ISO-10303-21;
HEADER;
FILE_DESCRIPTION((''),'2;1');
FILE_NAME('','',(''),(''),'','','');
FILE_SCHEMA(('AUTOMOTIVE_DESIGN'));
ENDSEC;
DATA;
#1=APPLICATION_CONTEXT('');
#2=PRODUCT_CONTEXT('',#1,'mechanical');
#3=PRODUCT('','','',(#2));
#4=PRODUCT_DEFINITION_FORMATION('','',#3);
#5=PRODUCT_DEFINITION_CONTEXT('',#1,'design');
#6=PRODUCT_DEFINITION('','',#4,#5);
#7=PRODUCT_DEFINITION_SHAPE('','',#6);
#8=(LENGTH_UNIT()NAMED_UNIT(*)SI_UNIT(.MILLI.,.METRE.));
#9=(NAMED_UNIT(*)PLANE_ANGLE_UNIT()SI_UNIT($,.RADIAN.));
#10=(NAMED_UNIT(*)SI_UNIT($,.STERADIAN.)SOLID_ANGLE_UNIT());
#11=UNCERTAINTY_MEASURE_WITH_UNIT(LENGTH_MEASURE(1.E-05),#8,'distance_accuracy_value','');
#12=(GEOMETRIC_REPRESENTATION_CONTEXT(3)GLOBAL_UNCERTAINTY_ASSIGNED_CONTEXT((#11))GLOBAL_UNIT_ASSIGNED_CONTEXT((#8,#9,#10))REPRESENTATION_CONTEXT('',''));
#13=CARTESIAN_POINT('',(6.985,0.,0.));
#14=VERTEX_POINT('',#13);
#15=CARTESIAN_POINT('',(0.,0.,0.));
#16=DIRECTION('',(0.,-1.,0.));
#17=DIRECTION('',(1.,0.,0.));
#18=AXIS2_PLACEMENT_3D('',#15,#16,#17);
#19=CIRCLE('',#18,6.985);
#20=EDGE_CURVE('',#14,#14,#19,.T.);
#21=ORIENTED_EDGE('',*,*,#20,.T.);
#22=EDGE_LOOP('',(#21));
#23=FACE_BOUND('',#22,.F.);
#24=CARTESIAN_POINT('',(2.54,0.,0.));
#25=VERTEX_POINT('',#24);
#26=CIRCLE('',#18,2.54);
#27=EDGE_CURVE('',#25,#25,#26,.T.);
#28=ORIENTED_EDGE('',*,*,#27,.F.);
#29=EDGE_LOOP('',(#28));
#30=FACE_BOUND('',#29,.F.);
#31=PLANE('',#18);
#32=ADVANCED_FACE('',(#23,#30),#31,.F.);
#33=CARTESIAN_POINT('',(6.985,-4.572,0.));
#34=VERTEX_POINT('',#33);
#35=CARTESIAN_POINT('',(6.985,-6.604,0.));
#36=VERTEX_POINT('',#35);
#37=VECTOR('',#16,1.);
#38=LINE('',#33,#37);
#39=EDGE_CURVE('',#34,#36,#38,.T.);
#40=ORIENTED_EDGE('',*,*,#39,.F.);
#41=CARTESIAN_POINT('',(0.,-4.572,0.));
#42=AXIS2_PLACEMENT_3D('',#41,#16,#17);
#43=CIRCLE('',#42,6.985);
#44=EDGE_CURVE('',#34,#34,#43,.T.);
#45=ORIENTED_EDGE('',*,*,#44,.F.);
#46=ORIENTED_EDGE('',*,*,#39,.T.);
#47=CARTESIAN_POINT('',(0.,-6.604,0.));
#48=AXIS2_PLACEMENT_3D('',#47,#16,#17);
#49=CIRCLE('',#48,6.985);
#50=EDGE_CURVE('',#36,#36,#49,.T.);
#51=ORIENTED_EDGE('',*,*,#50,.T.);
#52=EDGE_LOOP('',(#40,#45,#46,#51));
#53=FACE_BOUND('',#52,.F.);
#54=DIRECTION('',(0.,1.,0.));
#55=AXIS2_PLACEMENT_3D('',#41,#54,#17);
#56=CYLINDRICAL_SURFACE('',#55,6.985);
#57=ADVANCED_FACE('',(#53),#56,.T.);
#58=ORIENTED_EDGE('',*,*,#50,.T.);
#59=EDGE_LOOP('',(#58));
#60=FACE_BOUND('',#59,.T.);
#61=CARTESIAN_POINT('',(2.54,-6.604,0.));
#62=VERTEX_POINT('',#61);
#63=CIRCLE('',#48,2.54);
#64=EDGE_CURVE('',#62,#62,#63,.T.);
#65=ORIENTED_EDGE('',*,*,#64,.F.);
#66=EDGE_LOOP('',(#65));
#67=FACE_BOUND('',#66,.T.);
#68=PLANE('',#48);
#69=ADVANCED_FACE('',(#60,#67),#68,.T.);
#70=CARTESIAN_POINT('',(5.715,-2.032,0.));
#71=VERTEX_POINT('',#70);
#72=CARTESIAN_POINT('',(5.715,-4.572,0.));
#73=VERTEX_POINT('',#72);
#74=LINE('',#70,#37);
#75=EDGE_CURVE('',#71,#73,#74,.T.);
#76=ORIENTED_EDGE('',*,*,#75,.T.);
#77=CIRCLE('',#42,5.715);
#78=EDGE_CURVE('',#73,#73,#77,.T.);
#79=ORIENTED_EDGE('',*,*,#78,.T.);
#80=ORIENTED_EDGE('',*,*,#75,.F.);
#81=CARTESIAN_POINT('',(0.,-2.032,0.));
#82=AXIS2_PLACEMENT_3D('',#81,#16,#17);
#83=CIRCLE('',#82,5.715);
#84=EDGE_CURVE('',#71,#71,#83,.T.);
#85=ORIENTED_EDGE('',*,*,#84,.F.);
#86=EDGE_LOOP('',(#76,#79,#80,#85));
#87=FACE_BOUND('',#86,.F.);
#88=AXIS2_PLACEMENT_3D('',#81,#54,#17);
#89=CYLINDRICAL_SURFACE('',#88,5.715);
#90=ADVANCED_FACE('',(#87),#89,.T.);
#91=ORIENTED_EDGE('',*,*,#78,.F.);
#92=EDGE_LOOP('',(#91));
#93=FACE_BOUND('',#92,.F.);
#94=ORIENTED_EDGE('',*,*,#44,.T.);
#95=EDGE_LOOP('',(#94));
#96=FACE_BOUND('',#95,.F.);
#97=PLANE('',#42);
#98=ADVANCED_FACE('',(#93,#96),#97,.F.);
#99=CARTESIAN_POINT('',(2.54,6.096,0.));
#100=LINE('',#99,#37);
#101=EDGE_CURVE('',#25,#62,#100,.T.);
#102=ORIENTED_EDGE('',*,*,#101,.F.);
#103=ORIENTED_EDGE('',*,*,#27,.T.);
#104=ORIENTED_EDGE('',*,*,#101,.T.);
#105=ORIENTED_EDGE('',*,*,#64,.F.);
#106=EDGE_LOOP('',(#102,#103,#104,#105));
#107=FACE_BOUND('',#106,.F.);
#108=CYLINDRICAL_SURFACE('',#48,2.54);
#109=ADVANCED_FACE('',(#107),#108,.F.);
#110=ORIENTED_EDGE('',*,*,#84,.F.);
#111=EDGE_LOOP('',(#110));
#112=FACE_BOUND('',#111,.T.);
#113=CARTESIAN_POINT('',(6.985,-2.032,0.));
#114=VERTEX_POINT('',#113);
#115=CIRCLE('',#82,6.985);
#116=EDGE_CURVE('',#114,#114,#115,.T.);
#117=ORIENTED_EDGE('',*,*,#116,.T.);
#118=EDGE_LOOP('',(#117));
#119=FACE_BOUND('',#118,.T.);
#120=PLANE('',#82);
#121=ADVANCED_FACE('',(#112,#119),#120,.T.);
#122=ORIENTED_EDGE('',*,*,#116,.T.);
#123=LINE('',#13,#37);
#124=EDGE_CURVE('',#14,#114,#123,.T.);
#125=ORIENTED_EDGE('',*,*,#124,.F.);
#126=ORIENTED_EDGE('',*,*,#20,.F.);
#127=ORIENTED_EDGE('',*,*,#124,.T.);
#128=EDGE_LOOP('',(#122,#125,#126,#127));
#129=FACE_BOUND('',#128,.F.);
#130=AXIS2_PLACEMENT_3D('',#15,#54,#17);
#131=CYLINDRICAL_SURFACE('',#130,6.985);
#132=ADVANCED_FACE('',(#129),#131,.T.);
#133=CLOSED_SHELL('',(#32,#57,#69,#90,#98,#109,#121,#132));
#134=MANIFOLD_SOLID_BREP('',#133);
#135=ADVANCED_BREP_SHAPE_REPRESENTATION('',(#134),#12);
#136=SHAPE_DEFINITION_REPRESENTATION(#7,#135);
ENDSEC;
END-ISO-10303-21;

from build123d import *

# Parameters (mm, degrees)
F0_R     = 6.985
F1_DEPTH = 2.032
F2_R     = 5.715
F3_DEPTH = 2.54
F4_R     = 6.985
F5_DEPTH = 2.032
F6_R     = 2.54
F7_DEPTH = 12.7


with BuildPart() as f1:
    # F0 (on Front) → F1 (new body)
    with BuildSketch(Plane.XZ):
        Circle(F0_R)
    extrude(amount=F1_DEPTH)

    # F2 (on face) → F3 (join)
    with BuildSketch(Plane.XZ.offset(2.032)):
        Circle(F2_R)
    extrude(amount=F3_DEPTH)

    # F4 (on face) → F5 (join)
    with BuildSketch(Plane.XZ.offset(4.572)):
        Circle(F4_R)
    extrude(amount=F5_DEPTH)

    # F6 (on face) → F7 (cut, symmetric)
    with BuildSketch(Plane.XZ.offset(6.604)):
        Circle(F6_R)
    extrude(amount=F7_DEPTH, both=True, mode=Mode.SUBTRACT)


solid = f1.part
